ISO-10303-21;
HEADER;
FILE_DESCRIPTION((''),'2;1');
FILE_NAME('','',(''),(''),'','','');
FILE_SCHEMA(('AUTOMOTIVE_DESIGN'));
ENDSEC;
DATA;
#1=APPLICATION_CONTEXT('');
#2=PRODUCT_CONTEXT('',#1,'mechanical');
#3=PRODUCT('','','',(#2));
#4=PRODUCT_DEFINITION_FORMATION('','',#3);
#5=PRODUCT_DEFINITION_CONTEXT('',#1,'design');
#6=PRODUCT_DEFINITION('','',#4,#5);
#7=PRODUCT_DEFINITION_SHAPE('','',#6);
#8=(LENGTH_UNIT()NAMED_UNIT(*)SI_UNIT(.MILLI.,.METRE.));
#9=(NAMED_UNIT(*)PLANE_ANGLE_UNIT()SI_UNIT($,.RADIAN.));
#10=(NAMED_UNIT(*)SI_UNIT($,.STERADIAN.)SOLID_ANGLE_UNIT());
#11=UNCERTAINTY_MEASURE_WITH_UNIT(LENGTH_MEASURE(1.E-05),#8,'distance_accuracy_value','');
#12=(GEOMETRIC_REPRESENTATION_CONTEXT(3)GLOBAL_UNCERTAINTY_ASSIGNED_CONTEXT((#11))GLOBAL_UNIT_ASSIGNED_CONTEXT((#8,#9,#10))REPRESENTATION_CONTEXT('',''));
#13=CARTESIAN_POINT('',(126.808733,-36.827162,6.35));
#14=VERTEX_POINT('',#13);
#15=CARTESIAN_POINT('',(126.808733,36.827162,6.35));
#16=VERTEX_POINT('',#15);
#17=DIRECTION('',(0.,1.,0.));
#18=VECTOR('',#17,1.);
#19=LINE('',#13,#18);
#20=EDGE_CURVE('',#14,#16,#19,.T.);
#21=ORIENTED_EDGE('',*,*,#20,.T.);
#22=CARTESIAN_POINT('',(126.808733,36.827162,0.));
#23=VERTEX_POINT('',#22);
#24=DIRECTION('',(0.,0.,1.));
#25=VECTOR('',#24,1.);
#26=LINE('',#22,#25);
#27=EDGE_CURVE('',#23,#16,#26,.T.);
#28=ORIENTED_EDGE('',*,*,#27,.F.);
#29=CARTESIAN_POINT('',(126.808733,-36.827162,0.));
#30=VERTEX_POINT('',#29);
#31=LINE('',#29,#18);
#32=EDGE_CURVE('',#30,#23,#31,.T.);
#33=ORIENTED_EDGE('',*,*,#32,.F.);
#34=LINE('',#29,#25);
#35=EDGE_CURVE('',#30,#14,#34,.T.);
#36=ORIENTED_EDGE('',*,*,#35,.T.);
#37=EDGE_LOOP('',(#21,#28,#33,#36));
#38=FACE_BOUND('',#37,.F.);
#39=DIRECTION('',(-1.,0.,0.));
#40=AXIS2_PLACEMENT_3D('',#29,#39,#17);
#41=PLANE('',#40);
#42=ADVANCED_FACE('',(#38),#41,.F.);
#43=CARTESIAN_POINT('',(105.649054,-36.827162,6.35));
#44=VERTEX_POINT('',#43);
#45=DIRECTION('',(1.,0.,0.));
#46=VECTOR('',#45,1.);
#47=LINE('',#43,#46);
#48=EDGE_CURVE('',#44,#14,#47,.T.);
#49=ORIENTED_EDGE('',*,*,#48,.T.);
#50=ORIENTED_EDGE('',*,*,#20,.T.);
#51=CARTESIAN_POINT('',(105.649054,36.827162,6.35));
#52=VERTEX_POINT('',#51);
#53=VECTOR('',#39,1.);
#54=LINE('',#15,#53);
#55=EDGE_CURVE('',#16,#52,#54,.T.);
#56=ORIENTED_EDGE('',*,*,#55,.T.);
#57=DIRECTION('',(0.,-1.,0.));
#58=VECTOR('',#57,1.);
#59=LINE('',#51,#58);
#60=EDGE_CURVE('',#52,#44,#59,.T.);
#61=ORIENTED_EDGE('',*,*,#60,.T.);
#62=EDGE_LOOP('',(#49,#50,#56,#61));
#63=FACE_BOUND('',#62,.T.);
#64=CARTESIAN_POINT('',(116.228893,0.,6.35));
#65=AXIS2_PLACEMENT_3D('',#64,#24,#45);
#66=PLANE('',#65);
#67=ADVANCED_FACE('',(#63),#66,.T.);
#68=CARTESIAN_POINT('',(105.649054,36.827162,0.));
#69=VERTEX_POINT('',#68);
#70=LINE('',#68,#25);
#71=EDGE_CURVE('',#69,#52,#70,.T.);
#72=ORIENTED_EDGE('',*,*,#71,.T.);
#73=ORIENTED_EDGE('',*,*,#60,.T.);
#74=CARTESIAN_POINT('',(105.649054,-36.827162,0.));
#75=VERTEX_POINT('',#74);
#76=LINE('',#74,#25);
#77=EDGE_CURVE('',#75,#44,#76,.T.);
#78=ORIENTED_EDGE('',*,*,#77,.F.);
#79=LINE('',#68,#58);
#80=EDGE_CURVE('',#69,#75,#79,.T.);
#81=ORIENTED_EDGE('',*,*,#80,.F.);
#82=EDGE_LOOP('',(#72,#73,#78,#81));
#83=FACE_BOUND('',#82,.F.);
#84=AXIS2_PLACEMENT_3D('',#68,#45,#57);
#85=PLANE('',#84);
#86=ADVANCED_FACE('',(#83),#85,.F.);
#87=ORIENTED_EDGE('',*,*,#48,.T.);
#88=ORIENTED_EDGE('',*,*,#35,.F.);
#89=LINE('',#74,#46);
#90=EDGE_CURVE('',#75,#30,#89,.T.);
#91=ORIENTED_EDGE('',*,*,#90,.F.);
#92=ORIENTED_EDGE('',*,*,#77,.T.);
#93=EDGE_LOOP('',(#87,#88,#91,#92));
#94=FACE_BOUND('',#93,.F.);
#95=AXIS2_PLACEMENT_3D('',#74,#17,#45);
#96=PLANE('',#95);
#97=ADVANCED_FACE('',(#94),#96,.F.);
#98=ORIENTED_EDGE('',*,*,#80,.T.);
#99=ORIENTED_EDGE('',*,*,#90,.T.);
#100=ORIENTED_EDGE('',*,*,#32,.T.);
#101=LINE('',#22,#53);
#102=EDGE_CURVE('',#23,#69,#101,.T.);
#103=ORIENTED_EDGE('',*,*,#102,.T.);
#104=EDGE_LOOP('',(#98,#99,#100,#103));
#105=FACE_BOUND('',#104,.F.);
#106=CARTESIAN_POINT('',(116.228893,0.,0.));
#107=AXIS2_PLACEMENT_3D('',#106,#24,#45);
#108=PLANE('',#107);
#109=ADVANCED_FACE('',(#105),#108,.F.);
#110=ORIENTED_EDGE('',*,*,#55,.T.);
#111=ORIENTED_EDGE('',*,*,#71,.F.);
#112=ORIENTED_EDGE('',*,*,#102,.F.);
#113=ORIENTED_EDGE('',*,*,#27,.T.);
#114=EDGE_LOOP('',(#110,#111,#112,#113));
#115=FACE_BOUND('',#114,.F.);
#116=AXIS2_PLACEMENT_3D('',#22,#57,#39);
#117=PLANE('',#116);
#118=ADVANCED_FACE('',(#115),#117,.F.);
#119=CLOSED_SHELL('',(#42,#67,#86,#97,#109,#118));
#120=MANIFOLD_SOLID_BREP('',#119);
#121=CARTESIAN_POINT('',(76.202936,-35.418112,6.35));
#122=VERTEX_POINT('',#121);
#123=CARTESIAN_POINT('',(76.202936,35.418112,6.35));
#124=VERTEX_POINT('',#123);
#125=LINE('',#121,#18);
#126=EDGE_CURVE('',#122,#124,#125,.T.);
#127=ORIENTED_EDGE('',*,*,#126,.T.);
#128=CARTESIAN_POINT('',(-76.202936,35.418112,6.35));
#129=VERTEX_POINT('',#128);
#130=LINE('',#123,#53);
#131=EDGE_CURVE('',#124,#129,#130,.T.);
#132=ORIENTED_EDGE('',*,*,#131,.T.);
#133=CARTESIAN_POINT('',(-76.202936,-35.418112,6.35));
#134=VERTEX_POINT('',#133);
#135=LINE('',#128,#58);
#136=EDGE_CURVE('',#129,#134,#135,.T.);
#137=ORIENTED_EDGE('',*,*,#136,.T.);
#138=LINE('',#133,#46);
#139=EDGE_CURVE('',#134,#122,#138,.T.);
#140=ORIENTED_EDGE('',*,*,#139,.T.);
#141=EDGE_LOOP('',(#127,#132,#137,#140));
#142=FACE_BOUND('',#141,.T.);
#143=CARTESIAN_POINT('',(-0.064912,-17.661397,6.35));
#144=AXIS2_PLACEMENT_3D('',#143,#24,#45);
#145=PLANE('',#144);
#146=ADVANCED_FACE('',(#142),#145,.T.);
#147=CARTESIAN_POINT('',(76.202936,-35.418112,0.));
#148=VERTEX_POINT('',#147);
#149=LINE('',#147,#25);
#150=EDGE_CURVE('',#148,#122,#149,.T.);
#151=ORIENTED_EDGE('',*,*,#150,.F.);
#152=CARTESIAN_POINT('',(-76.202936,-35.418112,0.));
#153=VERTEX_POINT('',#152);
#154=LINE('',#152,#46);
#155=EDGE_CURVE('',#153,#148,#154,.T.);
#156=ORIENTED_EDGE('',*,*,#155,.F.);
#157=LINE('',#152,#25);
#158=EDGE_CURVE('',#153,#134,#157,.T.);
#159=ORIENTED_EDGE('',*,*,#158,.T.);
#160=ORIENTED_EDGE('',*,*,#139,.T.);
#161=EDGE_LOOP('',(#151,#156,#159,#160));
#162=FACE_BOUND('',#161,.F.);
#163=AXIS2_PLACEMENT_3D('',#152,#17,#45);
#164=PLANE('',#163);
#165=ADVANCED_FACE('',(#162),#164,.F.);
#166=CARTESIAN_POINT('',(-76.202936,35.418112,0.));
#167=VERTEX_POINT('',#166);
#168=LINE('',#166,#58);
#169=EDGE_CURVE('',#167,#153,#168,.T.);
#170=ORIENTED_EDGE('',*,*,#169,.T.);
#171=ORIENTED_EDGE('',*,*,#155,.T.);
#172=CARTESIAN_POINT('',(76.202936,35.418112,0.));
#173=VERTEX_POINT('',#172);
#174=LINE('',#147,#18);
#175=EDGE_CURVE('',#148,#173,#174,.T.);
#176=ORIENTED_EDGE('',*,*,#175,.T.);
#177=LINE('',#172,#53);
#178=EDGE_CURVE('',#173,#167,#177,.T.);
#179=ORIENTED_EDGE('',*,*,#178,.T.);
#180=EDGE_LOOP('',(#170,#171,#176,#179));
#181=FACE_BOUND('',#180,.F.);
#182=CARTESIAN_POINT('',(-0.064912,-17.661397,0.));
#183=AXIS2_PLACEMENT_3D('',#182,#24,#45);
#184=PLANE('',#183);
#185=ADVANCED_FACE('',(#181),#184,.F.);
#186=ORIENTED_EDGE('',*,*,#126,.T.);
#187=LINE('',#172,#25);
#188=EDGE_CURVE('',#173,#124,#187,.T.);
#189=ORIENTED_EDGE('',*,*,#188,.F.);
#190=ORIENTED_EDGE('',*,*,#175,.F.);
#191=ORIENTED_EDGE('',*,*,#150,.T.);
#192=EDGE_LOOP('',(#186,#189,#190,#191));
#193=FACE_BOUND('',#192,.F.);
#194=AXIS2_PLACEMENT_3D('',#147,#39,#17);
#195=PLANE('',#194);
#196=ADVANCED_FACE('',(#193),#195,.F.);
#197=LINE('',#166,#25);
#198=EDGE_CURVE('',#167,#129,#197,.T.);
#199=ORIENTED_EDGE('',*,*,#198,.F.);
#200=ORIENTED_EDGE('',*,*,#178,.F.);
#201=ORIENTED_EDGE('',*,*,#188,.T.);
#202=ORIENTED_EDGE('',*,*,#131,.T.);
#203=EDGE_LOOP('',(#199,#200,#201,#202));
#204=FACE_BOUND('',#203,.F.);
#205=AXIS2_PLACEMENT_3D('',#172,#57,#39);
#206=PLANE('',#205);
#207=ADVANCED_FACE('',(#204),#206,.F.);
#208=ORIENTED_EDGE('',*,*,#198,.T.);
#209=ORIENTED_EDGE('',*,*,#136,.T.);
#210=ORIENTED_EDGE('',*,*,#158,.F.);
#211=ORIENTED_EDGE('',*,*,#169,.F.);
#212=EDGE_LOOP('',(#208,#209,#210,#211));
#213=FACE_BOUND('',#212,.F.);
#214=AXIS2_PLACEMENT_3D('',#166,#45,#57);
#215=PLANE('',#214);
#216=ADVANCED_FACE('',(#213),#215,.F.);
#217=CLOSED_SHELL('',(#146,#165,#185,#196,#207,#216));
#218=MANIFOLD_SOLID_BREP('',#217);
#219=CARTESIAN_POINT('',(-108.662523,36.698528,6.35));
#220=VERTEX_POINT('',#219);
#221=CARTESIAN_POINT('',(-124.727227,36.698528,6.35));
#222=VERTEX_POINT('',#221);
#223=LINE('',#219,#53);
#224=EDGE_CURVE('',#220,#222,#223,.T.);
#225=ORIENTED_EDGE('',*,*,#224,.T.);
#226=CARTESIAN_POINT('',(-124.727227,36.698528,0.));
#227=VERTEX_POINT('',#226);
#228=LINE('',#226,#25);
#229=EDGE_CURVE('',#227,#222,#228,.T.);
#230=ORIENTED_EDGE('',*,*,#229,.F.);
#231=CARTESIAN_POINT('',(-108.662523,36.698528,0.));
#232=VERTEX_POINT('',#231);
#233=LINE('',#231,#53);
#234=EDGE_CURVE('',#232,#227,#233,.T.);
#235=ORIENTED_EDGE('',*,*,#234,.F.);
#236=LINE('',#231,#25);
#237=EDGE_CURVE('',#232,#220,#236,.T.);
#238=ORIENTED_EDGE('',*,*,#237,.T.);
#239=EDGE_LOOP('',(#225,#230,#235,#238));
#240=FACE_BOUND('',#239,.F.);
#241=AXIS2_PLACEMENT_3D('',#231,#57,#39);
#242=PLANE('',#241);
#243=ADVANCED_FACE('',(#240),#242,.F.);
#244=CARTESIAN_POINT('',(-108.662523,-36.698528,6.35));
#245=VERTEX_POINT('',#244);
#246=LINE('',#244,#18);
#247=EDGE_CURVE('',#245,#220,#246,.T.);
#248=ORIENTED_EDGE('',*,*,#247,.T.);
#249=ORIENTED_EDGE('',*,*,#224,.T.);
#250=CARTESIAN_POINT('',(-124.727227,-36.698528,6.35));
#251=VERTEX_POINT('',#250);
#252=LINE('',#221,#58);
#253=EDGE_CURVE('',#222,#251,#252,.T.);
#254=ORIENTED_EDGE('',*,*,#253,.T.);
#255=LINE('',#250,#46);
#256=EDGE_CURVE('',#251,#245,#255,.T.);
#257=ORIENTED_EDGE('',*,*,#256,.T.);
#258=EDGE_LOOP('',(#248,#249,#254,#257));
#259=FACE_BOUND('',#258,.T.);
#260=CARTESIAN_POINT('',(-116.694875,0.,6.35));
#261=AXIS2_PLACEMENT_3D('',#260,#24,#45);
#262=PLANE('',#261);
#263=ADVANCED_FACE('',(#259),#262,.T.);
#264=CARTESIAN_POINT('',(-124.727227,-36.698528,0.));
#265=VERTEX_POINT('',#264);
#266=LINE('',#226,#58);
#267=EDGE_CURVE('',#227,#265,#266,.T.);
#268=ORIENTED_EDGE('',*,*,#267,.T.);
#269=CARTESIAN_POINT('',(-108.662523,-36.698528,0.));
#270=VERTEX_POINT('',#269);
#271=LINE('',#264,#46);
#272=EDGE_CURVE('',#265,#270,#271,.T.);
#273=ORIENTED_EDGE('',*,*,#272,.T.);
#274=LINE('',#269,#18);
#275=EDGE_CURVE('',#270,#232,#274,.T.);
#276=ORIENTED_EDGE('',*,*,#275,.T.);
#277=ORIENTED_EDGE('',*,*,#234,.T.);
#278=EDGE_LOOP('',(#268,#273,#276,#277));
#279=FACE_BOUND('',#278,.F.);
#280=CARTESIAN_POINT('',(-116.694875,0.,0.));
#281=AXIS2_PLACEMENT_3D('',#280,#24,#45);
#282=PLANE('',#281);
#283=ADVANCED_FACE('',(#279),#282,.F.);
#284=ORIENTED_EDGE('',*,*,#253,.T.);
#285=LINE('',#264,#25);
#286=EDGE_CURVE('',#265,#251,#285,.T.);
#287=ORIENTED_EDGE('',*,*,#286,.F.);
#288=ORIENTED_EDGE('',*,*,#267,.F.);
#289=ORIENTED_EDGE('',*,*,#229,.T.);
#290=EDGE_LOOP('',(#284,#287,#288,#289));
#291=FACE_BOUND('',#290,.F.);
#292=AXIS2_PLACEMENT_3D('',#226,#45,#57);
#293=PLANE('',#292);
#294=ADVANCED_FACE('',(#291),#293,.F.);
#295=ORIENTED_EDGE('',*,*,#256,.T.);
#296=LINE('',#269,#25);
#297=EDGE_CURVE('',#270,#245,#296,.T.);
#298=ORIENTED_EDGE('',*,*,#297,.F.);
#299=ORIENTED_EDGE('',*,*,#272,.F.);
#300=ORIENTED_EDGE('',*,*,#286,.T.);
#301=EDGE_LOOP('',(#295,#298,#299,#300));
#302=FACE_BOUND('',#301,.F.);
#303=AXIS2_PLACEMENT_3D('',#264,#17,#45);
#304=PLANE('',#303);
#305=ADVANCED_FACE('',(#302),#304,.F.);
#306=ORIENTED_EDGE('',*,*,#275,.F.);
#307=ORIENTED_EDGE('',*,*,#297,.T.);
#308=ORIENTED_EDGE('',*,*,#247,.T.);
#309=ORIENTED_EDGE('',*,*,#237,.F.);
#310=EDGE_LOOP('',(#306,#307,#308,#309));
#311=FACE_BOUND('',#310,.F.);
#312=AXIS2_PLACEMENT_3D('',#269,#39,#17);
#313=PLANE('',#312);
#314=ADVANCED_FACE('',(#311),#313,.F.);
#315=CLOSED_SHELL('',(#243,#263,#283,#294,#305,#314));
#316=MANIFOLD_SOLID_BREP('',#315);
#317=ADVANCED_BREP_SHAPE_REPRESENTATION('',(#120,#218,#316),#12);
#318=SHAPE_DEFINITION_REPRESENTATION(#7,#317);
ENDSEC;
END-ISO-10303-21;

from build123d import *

# Parameters (mm, degrees)
F1_DEPTH = 6.35


with BuildPart() as f1:
    # F0 (on Top) → F1 (new body)
    with BuildSketch(Plane.XY):
        Polygon((-76.202936, 0.319925), (-76.202936, -35.418112), (76.202936, -35.418112), (76.202936, 0), (0, 0), align=None)
        Polygon((-108.662523, -36.698528), (-108.662523, 0.456201), (-108.662523, 36.698528), (-124.727227, 36.698528), (-124.727227, -36.698528), align=None)
        Polygon((105.649054, 36.827162), (105.649054, 0), (105.649054, -36.827162), (126.808733, -36.827162), (126.808733, 36.827162), align=None)
        Polygon((-76.202936, 35.418112), (-76.202936, 0.319925), (0, 0), (76.202936, 0), (76.202936, 35.418112), align=None)
    extrude(amount=F1_DEPTH)


solid = f1.part
